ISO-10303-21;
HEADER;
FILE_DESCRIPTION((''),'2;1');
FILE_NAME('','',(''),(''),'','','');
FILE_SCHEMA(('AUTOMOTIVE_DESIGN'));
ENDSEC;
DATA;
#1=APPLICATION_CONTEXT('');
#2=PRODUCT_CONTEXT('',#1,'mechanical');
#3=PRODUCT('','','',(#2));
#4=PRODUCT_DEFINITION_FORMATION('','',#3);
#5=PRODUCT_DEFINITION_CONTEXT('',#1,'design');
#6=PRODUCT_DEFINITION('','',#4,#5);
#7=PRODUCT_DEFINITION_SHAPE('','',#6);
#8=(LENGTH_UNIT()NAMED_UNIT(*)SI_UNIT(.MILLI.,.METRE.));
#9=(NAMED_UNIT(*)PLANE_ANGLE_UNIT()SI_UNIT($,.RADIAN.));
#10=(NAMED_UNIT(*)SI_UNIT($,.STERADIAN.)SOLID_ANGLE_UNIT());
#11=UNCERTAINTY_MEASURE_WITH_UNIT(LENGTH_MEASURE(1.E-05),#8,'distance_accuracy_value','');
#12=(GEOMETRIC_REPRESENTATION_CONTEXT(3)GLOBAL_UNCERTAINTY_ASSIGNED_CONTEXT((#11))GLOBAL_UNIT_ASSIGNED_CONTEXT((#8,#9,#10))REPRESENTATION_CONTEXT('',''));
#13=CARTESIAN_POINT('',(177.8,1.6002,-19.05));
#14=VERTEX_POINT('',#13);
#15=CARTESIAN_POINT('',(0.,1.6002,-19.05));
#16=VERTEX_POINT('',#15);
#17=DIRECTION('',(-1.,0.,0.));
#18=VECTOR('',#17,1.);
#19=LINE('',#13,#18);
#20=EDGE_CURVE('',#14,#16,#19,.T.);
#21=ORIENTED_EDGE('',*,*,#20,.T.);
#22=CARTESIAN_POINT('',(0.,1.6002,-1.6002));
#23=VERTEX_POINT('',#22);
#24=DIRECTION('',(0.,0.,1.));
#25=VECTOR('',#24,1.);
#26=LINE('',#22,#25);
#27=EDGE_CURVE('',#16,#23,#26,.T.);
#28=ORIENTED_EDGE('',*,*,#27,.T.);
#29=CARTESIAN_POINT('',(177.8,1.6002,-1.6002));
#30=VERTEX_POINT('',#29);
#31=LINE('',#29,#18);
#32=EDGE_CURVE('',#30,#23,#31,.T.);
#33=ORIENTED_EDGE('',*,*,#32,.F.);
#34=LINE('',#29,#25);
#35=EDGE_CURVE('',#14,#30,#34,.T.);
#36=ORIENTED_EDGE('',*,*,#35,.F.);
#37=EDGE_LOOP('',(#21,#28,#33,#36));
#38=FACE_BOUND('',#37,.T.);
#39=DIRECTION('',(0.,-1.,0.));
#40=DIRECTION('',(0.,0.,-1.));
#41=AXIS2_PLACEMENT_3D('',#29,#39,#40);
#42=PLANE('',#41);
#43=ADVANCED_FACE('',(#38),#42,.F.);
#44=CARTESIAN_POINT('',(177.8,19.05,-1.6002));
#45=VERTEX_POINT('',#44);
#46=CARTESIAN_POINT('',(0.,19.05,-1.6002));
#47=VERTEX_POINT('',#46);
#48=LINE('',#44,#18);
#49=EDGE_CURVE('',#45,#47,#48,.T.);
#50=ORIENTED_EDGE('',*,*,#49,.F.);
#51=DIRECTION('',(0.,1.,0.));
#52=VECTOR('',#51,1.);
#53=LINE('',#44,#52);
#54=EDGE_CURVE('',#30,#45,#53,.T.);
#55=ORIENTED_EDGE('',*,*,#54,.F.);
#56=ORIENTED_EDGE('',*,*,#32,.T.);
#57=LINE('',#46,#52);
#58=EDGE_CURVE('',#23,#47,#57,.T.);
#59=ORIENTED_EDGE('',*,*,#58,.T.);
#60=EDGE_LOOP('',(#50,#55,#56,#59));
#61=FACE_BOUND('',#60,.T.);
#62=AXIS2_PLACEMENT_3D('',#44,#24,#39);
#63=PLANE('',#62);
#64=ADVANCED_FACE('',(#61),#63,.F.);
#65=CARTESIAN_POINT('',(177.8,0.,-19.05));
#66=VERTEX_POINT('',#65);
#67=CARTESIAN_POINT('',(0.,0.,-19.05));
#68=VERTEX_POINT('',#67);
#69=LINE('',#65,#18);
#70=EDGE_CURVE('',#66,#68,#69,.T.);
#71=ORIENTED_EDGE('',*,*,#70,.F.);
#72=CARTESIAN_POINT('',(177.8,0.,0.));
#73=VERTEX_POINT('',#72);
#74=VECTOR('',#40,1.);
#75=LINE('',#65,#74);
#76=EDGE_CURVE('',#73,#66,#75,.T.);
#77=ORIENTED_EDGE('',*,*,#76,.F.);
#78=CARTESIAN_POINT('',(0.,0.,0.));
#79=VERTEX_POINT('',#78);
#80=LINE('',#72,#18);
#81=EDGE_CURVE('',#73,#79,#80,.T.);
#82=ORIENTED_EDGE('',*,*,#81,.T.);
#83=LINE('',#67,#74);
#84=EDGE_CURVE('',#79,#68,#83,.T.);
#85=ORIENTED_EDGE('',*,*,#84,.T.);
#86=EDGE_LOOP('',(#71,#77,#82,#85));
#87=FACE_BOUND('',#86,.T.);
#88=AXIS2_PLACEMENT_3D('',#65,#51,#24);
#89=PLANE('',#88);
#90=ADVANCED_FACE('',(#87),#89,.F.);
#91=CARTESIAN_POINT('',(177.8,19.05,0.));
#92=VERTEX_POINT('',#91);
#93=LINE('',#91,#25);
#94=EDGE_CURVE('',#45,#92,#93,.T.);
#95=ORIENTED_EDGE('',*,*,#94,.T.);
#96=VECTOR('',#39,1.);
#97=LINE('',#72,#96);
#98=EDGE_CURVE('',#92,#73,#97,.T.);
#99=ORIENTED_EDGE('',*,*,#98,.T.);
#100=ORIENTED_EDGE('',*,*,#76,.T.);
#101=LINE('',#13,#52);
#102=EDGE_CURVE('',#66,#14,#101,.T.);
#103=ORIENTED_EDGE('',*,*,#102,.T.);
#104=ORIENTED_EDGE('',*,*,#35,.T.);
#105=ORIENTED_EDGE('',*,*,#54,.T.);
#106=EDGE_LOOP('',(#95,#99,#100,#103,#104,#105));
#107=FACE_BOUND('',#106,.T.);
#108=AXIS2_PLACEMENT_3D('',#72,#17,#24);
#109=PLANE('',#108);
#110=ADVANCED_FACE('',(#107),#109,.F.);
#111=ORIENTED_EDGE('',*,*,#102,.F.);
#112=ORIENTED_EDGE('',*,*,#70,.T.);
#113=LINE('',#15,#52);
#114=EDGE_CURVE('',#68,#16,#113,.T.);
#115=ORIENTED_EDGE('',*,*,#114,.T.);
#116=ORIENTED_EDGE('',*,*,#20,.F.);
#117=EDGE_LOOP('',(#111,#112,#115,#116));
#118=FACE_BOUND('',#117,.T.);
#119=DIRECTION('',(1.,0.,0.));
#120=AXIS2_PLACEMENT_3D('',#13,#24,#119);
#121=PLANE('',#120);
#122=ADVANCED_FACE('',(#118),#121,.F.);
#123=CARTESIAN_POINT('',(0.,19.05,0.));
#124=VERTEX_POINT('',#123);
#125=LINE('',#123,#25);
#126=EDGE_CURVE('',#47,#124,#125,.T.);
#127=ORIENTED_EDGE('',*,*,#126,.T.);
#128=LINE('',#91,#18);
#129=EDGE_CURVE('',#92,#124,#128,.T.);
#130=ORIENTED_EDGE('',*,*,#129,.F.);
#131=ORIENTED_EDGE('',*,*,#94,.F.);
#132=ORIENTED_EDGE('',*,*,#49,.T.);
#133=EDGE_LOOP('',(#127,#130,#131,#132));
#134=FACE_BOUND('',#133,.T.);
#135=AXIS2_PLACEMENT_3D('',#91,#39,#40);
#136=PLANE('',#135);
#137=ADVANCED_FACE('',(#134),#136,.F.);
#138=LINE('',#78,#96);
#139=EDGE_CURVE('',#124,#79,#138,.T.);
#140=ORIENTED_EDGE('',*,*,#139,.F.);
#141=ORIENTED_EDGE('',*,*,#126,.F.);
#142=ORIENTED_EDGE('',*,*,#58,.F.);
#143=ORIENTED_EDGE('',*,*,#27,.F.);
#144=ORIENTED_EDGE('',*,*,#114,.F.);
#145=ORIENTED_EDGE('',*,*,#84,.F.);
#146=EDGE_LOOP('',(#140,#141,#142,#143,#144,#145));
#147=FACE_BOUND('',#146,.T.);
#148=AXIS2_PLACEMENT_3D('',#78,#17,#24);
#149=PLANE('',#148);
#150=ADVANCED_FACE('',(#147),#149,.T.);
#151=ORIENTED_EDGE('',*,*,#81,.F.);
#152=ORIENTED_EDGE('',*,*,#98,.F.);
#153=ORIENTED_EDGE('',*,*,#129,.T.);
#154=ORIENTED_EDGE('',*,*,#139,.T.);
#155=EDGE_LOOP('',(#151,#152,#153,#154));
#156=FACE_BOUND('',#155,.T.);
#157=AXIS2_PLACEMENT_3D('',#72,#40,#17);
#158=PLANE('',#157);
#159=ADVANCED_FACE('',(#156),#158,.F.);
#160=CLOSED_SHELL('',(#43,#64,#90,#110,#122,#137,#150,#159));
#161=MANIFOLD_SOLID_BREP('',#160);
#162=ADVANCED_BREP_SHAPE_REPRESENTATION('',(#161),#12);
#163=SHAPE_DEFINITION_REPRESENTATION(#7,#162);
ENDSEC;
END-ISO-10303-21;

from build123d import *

# Parameters (mm, degrees)
BOSS_EXTRUDE1_DEPTH = 177.8


with BuildPart() as part:
    # Sketch1 → Boss-Extrude1 (new body)
    with BuildSketch(Plane(origin=(0, 0, 0), x_dir=(0, 0, -1), z_dir=(1, 0, 0))):
        Polygon((0, 0), (0, 19.05), (1.6002, 19.05), (1.6002, 1.6002), (19.05, 1.6002), (19.05, 0), align=None)
    extrude(amount=BOSS_EXTRUDE1_DEPTH)


solid = part.part
